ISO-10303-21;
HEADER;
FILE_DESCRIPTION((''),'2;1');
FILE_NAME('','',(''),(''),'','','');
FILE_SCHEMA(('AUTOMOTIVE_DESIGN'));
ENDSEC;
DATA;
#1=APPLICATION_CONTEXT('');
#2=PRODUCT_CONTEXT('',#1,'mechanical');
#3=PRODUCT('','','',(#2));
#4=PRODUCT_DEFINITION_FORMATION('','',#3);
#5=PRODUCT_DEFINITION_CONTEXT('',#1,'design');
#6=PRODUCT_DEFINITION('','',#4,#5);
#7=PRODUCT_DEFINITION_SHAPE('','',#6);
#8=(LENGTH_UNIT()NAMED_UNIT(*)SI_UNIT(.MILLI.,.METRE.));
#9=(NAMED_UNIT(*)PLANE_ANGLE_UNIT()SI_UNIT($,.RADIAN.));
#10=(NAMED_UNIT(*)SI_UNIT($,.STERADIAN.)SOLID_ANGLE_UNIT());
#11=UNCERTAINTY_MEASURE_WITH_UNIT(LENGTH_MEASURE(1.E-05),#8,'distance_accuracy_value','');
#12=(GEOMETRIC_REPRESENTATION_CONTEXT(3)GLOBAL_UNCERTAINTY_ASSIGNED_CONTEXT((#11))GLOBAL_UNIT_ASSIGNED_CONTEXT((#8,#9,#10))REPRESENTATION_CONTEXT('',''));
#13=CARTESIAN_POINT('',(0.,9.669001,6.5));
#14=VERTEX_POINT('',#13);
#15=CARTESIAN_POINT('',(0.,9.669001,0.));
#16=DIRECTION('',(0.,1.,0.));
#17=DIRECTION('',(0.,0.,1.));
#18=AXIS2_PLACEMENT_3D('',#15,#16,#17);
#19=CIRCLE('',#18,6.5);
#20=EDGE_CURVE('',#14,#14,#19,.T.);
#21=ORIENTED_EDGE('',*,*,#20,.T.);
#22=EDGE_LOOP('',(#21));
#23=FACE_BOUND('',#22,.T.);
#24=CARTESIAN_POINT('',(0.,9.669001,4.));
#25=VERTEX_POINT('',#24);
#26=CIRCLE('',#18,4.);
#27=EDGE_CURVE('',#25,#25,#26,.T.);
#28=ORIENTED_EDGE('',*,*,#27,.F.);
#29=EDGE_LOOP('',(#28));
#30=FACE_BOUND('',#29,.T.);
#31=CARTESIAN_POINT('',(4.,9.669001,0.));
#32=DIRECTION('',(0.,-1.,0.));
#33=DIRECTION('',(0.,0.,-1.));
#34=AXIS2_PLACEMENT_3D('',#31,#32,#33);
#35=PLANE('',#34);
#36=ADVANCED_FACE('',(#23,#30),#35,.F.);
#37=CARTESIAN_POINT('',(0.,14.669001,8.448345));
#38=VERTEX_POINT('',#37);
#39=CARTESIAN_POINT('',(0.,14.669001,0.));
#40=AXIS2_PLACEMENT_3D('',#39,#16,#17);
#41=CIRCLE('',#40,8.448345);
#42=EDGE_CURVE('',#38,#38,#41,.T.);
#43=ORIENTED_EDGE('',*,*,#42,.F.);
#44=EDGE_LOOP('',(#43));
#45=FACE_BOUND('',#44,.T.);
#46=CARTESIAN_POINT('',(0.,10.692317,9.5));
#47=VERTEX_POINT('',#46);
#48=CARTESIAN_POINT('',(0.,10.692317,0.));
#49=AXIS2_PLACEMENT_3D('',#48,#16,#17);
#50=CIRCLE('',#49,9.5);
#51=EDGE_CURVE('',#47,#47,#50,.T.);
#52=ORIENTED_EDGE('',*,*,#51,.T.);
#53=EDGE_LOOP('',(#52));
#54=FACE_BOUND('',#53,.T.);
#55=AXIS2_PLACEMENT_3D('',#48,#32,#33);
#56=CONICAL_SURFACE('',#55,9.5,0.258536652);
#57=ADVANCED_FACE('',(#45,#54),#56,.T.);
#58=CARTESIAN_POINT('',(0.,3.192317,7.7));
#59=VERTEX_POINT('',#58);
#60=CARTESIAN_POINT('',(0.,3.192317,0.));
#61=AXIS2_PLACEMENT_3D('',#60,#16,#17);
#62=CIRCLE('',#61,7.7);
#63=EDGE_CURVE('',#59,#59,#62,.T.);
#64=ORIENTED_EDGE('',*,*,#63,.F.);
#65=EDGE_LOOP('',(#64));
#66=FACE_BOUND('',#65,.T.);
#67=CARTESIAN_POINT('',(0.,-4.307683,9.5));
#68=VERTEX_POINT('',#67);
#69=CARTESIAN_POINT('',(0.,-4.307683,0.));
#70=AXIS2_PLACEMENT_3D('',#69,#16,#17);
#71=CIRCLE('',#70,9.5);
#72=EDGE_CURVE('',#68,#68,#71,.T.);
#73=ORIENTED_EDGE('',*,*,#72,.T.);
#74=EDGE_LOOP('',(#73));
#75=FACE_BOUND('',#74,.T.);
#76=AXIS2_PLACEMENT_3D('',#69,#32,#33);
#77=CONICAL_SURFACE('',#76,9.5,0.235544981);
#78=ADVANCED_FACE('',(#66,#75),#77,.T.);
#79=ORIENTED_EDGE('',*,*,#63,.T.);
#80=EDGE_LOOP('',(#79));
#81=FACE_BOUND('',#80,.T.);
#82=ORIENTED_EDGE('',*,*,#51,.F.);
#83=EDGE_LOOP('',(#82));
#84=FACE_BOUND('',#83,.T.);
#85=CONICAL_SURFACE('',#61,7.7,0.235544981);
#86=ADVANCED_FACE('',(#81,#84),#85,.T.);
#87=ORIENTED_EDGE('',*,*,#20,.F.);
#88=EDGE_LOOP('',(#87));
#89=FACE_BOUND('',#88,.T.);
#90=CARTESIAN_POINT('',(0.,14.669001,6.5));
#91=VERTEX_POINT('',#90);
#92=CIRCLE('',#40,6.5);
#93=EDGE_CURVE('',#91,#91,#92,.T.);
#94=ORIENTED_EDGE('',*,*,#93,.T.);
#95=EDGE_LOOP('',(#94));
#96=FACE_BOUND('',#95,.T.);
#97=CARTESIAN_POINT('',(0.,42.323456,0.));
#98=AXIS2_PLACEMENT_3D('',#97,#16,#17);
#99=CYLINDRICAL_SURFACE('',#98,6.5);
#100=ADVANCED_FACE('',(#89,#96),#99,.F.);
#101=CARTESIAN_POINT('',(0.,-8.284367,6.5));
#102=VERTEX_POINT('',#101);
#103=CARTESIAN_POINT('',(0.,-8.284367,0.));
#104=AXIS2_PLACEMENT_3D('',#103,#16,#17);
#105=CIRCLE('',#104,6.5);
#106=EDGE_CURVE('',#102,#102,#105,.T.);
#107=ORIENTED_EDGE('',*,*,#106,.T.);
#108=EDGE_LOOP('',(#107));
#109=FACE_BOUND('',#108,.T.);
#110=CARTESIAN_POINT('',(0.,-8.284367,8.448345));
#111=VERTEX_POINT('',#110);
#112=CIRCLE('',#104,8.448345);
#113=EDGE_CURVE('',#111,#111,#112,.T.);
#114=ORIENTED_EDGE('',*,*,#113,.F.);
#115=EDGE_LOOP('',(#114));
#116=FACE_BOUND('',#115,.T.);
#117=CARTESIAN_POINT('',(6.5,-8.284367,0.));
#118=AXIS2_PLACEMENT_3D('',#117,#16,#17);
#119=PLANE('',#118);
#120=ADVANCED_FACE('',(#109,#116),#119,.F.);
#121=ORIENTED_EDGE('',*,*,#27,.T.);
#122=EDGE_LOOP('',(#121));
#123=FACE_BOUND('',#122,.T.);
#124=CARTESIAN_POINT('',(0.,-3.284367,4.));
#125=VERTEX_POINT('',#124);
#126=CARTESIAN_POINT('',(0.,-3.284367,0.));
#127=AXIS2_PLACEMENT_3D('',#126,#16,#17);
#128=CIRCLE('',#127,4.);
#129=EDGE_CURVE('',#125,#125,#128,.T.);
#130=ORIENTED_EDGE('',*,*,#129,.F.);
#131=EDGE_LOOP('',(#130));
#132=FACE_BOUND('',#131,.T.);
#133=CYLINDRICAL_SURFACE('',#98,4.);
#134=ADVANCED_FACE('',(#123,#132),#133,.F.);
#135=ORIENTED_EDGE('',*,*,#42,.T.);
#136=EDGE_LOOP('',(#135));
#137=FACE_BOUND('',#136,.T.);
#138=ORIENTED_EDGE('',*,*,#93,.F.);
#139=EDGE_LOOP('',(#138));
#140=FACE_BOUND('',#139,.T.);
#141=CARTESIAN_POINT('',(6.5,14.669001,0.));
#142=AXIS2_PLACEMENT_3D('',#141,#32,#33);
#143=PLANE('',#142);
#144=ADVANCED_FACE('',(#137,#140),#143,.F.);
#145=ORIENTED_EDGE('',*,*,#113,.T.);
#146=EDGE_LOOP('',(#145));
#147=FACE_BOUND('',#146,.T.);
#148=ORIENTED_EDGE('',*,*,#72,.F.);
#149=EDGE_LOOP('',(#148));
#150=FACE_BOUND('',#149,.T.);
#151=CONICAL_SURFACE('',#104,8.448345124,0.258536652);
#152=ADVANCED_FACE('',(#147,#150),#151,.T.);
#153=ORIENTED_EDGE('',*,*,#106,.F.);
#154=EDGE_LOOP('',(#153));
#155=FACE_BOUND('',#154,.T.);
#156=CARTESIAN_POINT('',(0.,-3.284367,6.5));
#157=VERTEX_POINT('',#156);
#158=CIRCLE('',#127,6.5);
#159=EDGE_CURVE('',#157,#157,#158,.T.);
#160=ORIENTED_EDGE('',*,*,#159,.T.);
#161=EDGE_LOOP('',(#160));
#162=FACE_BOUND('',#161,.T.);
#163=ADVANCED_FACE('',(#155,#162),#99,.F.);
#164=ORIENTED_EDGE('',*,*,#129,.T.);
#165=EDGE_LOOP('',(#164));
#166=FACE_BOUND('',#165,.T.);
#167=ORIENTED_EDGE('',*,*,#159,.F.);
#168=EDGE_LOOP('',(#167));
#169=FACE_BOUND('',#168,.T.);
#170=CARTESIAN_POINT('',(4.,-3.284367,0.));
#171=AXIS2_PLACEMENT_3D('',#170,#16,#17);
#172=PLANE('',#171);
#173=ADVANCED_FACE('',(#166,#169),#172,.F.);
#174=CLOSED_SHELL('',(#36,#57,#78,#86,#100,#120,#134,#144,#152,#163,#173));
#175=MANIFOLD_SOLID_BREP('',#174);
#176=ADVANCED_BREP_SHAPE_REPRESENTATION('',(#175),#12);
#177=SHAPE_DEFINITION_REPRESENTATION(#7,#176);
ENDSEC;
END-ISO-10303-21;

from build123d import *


with BuildPart() as part:
    # Sketch1 → Revolve1 (revolve)
    with BuildSketch(Plane.XY):
        Polygon((4, -3.284366974), (4, 9.669000537), (6.5, 9.669000537), (6.5, 14.669000537), (8.448345124, 14.669000537), (9.5, 10.692316782), (7.7, 3.192316782), (9.5, -4.307683218), (8.448345124, -8.284366974), (6.5, -8.284366974), (6.5, -3.284366974), align=None)
    revolve(axis=Axis((0, 42.323455848, 0), (0, -1, 0)))


solid = part.part
